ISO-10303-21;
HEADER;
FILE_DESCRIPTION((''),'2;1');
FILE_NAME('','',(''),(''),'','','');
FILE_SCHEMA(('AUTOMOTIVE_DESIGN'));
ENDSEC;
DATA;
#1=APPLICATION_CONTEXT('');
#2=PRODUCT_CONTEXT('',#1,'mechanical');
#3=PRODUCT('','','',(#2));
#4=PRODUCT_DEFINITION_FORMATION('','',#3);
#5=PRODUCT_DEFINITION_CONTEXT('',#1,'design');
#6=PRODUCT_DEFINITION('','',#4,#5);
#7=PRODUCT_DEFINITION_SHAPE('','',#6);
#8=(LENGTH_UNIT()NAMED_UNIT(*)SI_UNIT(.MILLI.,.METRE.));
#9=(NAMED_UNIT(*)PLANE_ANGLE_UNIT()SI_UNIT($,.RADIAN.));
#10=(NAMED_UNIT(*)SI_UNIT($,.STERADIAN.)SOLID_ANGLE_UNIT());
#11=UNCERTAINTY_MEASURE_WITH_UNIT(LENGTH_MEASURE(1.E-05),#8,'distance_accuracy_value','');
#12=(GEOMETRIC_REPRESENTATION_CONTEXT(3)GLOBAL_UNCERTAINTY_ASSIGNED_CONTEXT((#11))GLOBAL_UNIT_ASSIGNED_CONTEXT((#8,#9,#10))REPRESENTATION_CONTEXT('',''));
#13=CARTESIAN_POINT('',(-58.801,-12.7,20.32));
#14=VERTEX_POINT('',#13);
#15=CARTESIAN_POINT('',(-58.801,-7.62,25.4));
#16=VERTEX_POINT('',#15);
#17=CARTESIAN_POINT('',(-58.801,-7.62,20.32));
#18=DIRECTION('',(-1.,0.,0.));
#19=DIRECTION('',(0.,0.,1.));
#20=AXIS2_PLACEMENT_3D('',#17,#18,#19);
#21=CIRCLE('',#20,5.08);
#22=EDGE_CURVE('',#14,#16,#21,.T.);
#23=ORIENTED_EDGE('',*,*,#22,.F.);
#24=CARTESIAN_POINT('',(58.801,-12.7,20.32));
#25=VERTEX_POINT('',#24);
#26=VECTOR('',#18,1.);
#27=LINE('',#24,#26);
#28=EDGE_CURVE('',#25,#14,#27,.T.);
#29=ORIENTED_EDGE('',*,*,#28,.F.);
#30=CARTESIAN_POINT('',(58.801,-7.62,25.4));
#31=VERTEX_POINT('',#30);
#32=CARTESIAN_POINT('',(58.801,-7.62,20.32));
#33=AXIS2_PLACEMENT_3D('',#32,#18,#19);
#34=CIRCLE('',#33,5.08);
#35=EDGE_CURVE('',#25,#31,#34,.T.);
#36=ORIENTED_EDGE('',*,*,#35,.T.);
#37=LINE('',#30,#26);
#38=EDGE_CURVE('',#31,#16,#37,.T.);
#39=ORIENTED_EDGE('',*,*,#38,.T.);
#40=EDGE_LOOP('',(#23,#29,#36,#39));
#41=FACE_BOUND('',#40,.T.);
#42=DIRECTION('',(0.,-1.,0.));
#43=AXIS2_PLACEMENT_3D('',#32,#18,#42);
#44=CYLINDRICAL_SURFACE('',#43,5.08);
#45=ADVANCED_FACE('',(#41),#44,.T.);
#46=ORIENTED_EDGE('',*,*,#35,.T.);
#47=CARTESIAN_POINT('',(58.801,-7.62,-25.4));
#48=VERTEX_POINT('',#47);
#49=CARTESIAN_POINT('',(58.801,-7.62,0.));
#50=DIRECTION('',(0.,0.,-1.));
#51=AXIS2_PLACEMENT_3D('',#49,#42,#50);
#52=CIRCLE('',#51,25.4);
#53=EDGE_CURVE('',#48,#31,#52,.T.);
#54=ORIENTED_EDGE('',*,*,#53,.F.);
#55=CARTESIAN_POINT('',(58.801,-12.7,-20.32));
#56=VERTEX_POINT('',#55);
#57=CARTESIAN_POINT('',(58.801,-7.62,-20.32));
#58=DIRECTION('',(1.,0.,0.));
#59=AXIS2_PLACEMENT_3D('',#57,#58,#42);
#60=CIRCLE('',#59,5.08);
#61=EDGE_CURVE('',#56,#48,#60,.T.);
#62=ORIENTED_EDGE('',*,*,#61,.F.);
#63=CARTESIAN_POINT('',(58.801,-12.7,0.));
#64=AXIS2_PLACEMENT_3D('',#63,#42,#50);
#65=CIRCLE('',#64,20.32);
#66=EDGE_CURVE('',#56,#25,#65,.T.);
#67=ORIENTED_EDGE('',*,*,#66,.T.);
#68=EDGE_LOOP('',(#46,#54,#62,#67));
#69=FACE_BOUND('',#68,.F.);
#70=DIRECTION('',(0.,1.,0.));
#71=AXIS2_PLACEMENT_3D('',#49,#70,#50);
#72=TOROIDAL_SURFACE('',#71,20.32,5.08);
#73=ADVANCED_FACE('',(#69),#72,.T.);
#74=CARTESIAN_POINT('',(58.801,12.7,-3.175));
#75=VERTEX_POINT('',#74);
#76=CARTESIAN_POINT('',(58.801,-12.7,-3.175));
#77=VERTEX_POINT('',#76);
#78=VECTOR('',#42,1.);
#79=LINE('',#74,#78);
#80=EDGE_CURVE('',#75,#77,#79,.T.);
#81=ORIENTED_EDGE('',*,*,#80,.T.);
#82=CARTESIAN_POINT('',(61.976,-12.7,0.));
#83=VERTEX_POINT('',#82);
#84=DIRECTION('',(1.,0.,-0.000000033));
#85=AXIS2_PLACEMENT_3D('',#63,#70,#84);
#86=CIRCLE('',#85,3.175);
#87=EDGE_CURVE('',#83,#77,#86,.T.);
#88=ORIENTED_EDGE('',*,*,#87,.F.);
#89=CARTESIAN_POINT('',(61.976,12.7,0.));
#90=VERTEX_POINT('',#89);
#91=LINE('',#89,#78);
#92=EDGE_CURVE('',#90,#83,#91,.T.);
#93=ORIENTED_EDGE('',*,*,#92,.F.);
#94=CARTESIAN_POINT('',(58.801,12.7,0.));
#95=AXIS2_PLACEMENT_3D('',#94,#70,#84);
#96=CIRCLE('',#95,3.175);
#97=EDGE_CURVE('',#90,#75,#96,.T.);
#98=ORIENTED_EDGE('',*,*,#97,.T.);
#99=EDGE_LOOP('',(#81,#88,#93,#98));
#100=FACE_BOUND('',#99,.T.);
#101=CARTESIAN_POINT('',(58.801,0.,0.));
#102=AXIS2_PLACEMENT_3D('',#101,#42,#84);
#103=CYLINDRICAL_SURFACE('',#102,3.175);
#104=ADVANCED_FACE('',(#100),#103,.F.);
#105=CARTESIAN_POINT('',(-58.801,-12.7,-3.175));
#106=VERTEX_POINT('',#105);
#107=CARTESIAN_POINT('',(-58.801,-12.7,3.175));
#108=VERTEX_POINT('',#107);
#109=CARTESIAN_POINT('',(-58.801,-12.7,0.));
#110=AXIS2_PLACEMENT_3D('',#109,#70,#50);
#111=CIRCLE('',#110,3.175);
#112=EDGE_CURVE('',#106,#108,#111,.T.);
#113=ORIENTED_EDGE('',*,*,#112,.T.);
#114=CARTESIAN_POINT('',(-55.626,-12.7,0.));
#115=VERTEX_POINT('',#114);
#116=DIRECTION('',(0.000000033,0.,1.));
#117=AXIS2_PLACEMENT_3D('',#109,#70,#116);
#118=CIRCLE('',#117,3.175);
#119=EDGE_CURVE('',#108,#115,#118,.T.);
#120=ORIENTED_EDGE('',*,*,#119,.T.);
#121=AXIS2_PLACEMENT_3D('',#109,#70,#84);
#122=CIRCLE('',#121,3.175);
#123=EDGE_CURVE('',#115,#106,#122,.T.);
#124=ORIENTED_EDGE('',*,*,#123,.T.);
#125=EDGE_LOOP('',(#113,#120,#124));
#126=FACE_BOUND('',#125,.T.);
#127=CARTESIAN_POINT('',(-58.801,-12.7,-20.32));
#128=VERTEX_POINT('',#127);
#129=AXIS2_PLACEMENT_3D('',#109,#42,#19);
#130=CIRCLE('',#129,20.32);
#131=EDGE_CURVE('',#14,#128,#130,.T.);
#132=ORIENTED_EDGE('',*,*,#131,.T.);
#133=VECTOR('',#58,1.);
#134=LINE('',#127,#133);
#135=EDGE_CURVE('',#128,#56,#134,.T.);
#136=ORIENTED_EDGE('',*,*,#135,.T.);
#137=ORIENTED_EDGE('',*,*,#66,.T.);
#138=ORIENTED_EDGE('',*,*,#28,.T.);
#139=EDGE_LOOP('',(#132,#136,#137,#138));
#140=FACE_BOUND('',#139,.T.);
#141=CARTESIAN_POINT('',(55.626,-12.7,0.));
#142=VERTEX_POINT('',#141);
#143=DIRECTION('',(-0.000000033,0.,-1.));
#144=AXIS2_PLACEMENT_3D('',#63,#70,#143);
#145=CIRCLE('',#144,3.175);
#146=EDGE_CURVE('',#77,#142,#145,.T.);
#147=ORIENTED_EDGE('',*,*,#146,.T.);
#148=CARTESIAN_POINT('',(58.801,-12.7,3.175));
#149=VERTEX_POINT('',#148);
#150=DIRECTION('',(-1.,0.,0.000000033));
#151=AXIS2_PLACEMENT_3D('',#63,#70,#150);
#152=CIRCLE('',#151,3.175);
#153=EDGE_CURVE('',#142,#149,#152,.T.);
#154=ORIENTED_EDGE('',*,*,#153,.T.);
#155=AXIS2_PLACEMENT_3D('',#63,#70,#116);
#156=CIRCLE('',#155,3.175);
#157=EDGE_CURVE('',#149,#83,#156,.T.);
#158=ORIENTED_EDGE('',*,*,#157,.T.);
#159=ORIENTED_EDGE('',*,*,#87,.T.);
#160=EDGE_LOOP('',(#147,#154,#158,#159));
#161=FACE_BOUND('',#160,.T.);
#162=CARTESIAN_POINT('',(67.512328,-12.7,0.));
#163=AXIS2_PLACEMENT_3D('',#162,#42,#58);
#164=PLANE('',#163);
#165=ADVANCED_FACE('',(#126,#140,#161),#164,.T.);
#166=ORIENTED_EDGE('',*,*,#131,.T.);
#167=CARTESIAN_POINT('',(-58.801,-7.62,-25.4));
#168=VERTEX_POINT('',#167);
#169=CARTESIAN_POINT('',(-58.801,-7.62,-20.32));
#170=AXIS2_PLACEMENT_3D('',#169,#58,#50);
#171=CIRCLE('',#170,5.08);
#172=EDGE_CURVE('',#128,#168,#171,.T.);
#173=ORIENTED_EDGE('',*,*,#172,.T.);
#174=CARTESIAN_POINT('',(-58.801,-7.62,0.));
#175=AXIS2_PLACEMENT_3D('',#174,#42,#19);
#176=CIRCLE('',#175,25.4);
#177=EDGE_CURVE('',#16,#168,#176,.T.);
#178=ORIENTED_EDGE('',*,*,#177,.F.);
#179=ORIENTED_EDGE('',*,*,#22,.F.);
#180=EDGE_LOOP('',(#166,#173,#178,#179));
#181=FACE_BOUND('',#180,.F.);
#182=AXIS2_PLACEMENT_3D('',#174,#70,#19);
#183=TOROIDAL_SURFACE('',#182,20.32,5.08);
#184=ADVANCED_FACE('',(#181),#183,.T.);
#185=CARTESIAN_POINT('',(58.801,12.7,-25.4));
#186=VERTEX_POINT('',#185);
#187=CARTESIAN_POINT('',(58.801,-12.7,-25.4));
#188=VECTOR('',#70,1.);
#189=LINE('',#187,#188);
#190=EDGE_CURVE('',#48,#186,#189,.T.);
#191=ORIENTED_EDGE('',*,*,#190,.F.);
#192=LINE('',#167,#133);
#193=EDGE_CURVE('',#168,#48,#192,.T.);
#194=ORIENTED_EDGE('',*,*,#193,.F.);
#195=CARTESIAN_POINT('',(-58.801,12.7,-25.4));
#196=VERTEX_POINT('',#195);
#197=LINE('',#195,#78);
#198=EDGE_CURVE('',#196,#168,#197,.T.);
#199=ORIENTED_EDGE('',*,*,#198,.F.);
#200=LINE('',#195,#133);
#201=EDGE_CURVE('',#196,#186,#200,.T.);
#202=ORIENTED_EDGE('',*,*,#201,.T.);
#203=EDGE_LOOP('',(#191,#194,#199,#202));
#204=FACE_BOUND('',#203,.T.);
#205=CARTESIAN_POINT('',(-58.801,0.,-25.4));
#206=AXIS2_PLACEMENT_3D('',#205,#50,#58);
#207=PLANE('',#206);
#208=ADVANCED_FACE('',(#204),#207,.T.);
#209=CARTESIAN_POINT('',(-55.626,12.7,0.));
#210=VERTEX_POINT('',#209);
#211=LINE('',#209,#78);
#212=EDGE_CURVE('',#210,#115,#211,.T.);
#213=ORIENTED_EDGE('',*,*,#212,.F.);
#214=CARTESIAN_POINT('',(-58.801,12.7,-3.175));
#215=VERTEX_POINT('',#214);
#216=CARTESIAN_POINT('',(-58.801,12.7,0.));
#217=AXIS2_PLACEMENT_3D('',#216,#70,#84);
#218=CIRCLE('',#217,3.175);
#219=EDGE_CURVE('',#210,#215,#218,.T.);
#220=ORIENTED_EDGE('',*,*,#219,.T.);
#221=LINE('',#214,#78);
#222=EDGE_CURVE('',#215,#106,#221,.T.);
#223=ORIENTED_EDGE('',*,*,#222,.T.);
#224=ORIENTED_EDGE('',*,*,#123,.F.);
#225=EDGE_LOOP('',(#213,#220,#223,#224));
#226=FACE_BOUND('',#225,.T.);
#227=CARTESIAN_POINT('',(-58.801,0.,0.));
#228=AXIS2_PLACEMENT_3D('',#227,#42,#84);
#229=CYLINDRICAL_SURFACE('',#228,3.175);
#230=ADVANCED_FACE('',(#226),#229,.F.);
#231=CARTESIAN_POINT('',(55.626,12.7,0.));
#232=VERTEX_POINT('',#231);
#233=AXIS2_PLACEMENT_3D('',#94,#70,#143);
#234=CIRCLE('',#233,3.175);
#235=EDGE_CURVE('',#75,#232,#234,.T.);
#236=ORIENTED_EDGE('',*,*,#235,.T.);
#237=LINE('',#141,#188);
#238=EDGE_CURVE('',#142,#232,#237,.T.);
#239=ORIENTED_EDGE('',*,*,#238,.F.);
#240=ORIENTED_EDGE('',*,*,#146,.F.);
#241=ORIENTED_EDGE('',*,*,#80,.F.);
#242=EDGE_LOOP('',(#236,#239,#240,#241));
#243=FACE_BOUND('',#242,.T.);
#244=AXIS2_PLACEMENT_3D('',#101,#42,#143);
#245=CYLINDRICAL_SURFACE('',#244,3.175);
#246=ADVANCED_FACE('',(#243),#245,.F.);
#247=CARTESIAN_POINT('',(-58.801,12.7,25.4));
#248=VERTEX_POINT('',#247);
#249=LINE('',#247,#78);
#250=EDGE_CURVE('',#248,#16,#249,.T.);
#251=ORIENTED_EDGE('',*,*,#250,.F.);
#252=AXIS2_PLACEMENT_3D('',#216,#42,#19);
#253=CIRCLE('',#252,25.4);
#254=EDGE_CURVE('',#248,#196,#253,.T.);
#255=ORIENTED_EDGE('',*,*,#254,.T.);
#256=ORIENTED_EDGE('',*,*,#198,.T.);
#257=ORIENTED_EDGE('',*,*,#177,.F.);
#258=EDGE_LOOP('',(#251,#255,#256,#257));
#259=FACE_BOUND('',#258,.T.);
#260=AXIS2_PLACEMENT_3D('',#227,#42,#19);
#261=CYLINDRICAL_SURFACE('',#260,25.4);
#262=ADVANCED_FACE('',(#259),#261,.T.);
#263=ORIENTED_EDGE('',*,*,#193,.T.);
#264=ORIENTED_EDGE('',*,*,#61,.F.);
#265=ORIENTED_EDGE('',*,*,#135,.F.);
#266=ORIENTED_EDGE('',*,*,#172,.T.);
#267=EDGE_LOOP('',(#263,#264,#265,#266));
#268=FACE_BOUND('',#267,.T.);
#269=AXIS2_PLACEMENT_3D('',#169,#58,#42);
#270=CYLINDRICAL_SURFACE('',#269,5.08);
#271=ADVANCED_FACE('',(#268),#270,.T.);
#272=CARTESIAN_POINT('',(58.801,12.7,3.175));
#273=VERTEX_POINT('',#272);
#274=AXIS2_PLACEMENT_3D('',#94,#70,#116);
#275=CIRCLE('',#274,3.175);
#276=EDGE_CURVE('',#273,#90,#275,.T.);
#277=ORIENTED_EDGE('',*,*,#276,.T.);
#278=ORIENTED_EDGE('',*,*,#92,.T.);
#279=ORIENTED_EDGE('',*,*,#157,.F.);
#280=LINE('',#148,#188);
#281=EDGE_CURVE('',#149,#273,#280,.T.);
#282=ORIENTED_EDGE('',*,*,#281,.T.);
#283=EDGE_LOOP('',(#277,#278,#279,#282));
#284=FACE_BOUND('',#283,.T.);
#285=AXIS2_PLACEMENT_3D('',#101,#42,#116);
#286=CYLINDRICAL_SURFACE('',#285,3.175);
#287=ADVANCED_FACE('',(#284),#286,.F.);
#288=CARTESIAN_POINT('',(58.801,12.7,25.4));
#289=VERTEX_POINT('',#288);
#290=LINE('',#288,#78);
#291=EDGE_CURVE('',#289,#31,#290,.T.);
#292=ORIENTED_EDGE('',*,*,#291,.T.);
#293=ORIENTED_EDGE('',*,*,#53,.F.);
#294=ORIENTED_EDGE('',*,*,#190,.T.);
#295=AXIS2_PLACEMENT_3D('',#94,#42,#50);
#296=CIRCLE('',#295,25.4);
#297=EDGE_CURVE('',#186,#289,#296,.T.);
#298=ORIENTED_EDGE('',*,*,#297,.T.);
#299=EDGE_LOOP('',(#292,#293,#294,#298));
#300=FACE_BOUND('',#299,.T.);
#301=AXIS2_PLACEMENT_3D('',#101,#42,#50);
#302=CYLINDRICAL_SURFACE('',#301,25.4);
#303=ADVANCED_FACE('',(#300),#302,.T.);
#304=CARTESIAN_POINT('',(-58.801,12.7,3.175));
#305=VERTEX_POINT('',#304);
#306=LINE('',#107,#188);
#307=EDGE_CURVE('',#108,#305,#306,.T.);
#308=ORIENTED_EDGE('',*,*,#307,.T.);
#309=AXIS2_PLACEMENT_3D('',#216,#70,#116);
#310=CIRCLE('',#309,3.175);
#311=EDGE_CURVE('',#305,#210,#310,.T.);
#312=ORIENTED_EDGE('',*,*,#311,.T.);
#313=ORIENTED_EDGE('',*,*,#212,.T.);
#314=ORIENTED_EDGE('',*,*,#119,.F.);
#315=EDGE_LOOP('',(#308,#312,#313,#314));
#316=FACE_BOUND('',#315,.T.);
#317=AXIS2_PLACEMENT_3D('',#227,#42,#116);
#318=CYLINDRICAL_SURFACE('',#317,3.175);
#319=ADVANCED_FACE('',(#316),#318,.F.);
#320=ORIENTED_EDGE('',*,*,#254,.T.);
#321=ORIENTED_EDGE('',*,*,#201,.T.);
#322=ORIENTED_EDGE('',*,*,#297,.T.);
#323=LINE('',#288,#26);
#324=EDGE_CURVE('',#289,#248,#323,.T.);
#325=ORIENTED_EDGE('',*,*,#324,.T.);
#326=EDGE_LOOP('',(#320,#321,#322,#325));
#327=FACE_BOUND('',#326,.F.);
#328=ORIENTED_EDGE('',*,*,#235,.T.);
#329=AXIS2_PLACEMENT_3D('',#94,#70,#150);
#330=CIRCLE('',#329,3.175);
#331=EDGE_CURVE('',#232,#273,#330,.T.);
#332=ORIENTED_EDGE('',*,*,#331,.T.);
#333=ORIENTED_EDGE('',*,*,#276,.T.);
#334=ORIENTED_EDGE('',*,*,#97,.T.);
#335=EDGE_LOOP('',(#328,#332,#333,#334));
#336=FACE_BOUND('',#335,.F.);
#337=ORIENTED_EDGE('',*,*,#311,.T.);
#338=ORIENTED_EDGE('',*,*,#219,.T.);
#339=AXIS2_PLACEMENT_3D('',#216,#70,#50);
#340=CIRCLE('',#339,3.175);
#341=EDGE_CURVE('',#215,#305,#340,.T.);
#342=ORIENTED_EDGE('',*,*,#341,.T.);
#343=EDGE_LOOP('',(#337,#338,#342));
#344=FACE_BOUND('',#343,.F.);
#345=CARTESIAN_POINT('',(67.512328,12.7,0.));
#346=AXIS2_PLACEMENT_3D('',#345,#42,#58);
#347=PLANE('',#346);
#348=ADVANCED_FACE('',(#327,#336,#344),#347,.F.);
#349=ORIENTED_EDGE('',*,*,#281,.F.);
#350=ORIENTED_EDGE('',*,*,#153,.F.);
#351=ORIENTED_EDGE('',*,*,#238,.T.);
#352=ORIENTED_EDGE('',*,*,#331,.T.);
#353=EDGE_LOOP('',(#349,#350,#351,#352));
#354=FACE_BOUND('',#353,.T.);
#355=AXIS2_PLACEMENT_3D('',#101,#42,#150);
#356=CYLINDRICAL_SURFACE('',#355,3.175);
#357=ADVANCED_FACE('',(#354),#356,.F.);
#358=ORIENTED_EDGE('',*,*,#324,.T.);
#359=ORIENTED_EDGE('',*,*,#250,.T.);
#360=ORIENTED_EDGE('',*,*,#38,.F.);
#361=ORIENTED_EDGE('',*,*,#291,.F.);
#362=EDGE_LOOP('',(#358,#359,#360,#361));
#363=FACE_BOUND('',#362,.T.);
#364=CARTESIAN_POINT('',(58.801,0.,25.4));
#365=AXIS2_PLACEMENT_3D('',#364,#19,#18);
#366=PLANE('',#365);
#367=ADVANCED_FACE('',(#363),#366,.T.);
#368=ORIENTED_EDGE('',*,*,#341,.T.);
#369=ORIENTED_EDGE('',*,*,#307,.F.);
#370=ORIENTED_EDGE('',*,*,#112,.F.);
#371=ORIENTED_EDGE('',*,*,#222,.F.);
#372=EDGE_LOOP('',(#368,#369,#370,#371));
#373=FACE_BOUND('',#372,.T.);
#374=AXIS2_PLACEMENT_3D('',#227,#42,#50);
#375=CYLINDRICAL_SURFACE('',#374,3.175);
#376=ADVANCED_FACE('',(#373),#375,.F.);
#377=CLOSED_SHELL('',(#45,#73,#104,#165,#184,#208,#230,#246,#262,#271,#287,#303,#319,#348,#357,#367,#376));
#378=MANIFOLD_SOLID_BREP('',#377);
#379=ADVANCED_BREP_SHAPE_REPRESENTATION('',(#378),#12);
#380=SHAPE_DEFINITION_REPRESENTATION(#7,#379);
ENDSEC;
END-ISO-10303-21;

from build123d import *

# Parameters (mm, degrees)
F1_DEPTH = 12.7
F2_R     = 5.08


with BuildPart() as f1:
    # F0 (on Front) → F1 (new body, symmetric)
    with BuildSketch(Plane.XZ):
        with BuildLine():
            Line((58.801, 25.4), (58.801, 3.175))
            ThreePointArc((58.801, 3.175), (61.046064, 2.245064), (61.976, 0))
            ThreePointArc((61.976, 0), (61.046064, -2.245064), (58.801, -3.175))
            Line((58.801, -3.175), (58.801, -25.4))
            ThreePointArc((58.801, -25.4), (84.201, 0), (58.801, 25.4))
        make_face()
        with BuildLine():
            Line((-55.626, 0), (0, 0))
            Line((0, 0), (55.626, 0))
            ThreePointArc((55.626, 0), (56.555936, 2.245064), (58.801, 3.175))
            Line((58.801, 3.175), (58.801, 25.4))
            Line((58.801, 25.4), (-58.801, 25.4))
            Line((-58.801, 25.4), (-58.801, 3.175))
            ThreePointArc((-58.801, 3.175), (-56.555936, 2.245064), (-55.626, 0))
        make_face()
        with BuildLine():
            Line((55.626, 0), (0, 0))
            Line((0, 0), (-55.626, 0))
            ThreePointArc((-55.626, 0), (-56.555936, -2.245064), (-58.801, -3.175))
            Line((-58.801, -3.175), (-58.801, -25.4))
            Line((-58.801, -25.4), (58.801, -25.4))
            Line((58.801, -25.4), (58.801, -3.175))
            ThreePointArc((58.801, -3.175), (56.555936, -2.245064), (55.626, 0))
        make_face()
        with BuildLine():
            ThreePointArc((-58.801, -3.175), (-61.976, 0), (-58.801, 3.175))
            Line((-58.801, 3.175), (-58.801, 25.4))
            ThreePointArc((-58.801, 25.4), (-84.201, 0), (-58.801, -25.4))
            Line((-58.801, -25.4), (-58.801, -3.175))
        make_face()
    extrude(amount=F1_DEPTH, both=True)

    # F2
    f2_edges = [f1.edges().sort_by_distance(p)[0] for p in [
        (-84.201, -12.7, 0),
        (0, -12.7, 25.4),
    ]]
    fillet(f2_edges, radius=F2_R)


solid = f1.part
